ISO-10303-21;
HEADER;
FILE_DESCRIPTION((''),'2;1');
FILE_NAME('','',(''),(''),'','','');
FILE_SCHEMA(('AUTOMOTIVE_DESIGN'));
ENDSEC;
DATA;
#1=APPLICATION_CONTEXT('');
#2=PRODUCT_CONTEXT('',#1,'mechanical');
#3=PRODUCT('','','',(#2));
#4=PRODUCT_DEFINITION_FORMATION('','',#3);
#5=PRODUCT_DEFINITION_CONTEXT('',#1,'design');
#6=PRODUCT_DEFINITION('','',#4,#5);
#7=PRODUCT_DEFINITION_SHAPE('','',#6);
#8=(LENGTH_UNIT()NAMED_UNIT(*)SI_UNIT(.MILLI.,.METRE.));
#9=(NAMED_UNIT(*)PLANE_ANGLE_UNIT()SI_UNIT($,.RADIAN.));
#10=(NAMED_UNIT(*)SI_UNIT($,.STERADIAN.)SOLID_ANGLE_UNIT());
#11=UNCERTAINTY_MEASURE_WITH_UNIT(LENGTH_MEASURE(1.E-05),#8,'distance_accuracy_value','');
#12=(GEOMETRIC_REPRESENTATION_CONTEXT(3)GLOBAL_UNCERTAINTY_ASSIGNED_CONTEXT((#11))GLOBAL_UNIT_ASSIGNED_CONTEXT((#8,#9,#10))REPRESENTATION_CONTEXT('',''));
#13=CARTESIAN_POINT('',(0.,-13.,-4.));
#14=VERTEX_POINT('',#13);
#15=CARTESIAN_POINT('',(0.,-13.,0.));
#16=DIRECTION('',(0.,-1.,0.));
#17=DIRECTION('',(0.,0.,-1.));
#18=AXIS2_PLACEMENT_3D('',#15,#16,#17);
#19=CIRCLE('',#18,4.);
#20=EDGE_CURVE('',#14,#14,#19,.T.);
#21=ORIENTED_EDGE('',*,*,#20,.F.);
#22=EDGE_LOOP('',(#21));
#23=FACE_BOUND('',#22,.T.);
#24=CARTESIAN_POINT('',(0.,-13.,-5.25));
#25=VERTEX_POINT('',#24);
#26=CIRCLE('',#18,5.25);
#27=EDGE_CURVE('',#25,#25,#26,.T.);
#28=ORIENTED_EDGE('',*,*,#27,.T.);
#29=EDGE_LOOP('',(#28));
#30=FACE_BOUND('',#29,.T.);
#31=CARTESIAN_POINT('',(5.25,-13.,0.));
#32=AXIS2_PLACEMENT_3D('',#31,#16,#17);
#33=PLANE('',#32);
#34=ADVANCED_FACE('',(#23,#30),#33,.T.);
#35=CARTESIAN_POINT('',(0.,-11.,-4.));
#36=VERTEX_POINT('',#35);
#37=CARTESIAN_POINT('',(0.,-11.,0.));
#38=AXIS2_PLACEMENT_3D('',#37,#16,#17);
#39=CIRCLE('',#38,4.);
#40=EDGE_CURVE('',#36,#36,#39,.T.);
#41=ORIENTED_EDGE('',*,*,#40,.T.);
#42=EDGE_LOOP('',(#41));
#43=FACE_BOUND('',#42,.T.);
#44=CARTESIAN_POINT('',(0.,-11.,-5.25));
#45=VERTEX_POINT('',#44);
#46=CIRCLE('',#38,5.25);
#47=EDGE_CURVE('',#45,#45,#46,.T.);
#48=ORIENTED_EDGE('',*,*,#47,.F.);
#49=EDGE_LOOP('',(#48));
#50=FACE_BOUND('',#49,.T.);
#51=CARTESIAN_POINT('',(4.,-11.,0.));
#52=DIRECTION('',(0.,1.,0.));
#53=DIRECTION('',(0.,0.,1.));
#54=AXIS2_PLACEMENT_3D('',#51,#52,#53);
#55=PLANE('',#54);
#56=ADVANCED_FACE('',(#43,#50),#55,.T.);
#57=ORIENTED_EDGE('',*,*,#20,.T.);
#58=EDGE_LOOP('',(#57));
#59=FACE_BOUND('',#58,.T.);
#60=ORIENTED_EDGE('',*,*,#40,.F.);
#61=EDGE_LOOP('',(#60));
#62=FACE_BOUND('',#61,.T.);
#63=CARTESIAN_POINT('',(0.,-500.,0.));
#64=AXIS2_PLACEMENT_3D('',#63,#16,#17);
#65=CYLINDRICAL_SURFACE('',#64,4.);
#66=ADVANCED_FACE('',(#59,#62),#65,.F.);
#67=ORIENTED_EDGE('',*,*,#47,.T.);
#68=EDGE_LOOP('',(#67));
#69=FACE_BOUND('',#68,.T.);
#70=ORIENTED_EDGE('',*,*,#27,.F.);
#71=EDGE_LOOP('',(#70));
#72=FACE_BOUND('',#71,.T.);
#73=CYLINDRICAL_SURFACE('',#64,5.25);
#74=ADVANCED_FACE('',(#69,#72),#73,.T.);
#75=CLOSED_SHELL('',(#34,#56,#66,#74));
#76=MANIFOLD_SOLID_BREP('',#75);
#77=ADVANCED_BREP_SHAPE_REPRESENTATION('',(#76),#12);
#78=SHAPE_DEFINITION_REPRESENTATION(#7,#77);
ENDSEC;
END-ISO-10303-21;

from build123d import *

# Parameters (mm, degrees)
RECONSTRUCTED_NOMINAL_AXIAL_PROFILE_W = 1.25
RECONSTRUCTED_NOMINAL_AXIAL_PROFILE_H = 2


with BuildPart() as part:
    # Reconstructed nominal axial profile → Native revolved geometry (revolve)
    with BuildSketch(Plane.XY, mode=Mode.PRIVATE) as native_revolved_geometry_sk:
        with Locations((4.625, -12)):
            Rectangle(RECONSTRUCTED_NOMINAL_AXIAL_PROFILE_W, RECONSTRUCTED_NOMINAL_AXIAL_PROFILE_H)
    revolve(native_revolved_geometry_sk.sketch.rotate(Axis((0, -500, 0), (0, 1, 0)), 90), axis=Axis((0, -500, 0), (0, 1, 0)))


solid = part.part
